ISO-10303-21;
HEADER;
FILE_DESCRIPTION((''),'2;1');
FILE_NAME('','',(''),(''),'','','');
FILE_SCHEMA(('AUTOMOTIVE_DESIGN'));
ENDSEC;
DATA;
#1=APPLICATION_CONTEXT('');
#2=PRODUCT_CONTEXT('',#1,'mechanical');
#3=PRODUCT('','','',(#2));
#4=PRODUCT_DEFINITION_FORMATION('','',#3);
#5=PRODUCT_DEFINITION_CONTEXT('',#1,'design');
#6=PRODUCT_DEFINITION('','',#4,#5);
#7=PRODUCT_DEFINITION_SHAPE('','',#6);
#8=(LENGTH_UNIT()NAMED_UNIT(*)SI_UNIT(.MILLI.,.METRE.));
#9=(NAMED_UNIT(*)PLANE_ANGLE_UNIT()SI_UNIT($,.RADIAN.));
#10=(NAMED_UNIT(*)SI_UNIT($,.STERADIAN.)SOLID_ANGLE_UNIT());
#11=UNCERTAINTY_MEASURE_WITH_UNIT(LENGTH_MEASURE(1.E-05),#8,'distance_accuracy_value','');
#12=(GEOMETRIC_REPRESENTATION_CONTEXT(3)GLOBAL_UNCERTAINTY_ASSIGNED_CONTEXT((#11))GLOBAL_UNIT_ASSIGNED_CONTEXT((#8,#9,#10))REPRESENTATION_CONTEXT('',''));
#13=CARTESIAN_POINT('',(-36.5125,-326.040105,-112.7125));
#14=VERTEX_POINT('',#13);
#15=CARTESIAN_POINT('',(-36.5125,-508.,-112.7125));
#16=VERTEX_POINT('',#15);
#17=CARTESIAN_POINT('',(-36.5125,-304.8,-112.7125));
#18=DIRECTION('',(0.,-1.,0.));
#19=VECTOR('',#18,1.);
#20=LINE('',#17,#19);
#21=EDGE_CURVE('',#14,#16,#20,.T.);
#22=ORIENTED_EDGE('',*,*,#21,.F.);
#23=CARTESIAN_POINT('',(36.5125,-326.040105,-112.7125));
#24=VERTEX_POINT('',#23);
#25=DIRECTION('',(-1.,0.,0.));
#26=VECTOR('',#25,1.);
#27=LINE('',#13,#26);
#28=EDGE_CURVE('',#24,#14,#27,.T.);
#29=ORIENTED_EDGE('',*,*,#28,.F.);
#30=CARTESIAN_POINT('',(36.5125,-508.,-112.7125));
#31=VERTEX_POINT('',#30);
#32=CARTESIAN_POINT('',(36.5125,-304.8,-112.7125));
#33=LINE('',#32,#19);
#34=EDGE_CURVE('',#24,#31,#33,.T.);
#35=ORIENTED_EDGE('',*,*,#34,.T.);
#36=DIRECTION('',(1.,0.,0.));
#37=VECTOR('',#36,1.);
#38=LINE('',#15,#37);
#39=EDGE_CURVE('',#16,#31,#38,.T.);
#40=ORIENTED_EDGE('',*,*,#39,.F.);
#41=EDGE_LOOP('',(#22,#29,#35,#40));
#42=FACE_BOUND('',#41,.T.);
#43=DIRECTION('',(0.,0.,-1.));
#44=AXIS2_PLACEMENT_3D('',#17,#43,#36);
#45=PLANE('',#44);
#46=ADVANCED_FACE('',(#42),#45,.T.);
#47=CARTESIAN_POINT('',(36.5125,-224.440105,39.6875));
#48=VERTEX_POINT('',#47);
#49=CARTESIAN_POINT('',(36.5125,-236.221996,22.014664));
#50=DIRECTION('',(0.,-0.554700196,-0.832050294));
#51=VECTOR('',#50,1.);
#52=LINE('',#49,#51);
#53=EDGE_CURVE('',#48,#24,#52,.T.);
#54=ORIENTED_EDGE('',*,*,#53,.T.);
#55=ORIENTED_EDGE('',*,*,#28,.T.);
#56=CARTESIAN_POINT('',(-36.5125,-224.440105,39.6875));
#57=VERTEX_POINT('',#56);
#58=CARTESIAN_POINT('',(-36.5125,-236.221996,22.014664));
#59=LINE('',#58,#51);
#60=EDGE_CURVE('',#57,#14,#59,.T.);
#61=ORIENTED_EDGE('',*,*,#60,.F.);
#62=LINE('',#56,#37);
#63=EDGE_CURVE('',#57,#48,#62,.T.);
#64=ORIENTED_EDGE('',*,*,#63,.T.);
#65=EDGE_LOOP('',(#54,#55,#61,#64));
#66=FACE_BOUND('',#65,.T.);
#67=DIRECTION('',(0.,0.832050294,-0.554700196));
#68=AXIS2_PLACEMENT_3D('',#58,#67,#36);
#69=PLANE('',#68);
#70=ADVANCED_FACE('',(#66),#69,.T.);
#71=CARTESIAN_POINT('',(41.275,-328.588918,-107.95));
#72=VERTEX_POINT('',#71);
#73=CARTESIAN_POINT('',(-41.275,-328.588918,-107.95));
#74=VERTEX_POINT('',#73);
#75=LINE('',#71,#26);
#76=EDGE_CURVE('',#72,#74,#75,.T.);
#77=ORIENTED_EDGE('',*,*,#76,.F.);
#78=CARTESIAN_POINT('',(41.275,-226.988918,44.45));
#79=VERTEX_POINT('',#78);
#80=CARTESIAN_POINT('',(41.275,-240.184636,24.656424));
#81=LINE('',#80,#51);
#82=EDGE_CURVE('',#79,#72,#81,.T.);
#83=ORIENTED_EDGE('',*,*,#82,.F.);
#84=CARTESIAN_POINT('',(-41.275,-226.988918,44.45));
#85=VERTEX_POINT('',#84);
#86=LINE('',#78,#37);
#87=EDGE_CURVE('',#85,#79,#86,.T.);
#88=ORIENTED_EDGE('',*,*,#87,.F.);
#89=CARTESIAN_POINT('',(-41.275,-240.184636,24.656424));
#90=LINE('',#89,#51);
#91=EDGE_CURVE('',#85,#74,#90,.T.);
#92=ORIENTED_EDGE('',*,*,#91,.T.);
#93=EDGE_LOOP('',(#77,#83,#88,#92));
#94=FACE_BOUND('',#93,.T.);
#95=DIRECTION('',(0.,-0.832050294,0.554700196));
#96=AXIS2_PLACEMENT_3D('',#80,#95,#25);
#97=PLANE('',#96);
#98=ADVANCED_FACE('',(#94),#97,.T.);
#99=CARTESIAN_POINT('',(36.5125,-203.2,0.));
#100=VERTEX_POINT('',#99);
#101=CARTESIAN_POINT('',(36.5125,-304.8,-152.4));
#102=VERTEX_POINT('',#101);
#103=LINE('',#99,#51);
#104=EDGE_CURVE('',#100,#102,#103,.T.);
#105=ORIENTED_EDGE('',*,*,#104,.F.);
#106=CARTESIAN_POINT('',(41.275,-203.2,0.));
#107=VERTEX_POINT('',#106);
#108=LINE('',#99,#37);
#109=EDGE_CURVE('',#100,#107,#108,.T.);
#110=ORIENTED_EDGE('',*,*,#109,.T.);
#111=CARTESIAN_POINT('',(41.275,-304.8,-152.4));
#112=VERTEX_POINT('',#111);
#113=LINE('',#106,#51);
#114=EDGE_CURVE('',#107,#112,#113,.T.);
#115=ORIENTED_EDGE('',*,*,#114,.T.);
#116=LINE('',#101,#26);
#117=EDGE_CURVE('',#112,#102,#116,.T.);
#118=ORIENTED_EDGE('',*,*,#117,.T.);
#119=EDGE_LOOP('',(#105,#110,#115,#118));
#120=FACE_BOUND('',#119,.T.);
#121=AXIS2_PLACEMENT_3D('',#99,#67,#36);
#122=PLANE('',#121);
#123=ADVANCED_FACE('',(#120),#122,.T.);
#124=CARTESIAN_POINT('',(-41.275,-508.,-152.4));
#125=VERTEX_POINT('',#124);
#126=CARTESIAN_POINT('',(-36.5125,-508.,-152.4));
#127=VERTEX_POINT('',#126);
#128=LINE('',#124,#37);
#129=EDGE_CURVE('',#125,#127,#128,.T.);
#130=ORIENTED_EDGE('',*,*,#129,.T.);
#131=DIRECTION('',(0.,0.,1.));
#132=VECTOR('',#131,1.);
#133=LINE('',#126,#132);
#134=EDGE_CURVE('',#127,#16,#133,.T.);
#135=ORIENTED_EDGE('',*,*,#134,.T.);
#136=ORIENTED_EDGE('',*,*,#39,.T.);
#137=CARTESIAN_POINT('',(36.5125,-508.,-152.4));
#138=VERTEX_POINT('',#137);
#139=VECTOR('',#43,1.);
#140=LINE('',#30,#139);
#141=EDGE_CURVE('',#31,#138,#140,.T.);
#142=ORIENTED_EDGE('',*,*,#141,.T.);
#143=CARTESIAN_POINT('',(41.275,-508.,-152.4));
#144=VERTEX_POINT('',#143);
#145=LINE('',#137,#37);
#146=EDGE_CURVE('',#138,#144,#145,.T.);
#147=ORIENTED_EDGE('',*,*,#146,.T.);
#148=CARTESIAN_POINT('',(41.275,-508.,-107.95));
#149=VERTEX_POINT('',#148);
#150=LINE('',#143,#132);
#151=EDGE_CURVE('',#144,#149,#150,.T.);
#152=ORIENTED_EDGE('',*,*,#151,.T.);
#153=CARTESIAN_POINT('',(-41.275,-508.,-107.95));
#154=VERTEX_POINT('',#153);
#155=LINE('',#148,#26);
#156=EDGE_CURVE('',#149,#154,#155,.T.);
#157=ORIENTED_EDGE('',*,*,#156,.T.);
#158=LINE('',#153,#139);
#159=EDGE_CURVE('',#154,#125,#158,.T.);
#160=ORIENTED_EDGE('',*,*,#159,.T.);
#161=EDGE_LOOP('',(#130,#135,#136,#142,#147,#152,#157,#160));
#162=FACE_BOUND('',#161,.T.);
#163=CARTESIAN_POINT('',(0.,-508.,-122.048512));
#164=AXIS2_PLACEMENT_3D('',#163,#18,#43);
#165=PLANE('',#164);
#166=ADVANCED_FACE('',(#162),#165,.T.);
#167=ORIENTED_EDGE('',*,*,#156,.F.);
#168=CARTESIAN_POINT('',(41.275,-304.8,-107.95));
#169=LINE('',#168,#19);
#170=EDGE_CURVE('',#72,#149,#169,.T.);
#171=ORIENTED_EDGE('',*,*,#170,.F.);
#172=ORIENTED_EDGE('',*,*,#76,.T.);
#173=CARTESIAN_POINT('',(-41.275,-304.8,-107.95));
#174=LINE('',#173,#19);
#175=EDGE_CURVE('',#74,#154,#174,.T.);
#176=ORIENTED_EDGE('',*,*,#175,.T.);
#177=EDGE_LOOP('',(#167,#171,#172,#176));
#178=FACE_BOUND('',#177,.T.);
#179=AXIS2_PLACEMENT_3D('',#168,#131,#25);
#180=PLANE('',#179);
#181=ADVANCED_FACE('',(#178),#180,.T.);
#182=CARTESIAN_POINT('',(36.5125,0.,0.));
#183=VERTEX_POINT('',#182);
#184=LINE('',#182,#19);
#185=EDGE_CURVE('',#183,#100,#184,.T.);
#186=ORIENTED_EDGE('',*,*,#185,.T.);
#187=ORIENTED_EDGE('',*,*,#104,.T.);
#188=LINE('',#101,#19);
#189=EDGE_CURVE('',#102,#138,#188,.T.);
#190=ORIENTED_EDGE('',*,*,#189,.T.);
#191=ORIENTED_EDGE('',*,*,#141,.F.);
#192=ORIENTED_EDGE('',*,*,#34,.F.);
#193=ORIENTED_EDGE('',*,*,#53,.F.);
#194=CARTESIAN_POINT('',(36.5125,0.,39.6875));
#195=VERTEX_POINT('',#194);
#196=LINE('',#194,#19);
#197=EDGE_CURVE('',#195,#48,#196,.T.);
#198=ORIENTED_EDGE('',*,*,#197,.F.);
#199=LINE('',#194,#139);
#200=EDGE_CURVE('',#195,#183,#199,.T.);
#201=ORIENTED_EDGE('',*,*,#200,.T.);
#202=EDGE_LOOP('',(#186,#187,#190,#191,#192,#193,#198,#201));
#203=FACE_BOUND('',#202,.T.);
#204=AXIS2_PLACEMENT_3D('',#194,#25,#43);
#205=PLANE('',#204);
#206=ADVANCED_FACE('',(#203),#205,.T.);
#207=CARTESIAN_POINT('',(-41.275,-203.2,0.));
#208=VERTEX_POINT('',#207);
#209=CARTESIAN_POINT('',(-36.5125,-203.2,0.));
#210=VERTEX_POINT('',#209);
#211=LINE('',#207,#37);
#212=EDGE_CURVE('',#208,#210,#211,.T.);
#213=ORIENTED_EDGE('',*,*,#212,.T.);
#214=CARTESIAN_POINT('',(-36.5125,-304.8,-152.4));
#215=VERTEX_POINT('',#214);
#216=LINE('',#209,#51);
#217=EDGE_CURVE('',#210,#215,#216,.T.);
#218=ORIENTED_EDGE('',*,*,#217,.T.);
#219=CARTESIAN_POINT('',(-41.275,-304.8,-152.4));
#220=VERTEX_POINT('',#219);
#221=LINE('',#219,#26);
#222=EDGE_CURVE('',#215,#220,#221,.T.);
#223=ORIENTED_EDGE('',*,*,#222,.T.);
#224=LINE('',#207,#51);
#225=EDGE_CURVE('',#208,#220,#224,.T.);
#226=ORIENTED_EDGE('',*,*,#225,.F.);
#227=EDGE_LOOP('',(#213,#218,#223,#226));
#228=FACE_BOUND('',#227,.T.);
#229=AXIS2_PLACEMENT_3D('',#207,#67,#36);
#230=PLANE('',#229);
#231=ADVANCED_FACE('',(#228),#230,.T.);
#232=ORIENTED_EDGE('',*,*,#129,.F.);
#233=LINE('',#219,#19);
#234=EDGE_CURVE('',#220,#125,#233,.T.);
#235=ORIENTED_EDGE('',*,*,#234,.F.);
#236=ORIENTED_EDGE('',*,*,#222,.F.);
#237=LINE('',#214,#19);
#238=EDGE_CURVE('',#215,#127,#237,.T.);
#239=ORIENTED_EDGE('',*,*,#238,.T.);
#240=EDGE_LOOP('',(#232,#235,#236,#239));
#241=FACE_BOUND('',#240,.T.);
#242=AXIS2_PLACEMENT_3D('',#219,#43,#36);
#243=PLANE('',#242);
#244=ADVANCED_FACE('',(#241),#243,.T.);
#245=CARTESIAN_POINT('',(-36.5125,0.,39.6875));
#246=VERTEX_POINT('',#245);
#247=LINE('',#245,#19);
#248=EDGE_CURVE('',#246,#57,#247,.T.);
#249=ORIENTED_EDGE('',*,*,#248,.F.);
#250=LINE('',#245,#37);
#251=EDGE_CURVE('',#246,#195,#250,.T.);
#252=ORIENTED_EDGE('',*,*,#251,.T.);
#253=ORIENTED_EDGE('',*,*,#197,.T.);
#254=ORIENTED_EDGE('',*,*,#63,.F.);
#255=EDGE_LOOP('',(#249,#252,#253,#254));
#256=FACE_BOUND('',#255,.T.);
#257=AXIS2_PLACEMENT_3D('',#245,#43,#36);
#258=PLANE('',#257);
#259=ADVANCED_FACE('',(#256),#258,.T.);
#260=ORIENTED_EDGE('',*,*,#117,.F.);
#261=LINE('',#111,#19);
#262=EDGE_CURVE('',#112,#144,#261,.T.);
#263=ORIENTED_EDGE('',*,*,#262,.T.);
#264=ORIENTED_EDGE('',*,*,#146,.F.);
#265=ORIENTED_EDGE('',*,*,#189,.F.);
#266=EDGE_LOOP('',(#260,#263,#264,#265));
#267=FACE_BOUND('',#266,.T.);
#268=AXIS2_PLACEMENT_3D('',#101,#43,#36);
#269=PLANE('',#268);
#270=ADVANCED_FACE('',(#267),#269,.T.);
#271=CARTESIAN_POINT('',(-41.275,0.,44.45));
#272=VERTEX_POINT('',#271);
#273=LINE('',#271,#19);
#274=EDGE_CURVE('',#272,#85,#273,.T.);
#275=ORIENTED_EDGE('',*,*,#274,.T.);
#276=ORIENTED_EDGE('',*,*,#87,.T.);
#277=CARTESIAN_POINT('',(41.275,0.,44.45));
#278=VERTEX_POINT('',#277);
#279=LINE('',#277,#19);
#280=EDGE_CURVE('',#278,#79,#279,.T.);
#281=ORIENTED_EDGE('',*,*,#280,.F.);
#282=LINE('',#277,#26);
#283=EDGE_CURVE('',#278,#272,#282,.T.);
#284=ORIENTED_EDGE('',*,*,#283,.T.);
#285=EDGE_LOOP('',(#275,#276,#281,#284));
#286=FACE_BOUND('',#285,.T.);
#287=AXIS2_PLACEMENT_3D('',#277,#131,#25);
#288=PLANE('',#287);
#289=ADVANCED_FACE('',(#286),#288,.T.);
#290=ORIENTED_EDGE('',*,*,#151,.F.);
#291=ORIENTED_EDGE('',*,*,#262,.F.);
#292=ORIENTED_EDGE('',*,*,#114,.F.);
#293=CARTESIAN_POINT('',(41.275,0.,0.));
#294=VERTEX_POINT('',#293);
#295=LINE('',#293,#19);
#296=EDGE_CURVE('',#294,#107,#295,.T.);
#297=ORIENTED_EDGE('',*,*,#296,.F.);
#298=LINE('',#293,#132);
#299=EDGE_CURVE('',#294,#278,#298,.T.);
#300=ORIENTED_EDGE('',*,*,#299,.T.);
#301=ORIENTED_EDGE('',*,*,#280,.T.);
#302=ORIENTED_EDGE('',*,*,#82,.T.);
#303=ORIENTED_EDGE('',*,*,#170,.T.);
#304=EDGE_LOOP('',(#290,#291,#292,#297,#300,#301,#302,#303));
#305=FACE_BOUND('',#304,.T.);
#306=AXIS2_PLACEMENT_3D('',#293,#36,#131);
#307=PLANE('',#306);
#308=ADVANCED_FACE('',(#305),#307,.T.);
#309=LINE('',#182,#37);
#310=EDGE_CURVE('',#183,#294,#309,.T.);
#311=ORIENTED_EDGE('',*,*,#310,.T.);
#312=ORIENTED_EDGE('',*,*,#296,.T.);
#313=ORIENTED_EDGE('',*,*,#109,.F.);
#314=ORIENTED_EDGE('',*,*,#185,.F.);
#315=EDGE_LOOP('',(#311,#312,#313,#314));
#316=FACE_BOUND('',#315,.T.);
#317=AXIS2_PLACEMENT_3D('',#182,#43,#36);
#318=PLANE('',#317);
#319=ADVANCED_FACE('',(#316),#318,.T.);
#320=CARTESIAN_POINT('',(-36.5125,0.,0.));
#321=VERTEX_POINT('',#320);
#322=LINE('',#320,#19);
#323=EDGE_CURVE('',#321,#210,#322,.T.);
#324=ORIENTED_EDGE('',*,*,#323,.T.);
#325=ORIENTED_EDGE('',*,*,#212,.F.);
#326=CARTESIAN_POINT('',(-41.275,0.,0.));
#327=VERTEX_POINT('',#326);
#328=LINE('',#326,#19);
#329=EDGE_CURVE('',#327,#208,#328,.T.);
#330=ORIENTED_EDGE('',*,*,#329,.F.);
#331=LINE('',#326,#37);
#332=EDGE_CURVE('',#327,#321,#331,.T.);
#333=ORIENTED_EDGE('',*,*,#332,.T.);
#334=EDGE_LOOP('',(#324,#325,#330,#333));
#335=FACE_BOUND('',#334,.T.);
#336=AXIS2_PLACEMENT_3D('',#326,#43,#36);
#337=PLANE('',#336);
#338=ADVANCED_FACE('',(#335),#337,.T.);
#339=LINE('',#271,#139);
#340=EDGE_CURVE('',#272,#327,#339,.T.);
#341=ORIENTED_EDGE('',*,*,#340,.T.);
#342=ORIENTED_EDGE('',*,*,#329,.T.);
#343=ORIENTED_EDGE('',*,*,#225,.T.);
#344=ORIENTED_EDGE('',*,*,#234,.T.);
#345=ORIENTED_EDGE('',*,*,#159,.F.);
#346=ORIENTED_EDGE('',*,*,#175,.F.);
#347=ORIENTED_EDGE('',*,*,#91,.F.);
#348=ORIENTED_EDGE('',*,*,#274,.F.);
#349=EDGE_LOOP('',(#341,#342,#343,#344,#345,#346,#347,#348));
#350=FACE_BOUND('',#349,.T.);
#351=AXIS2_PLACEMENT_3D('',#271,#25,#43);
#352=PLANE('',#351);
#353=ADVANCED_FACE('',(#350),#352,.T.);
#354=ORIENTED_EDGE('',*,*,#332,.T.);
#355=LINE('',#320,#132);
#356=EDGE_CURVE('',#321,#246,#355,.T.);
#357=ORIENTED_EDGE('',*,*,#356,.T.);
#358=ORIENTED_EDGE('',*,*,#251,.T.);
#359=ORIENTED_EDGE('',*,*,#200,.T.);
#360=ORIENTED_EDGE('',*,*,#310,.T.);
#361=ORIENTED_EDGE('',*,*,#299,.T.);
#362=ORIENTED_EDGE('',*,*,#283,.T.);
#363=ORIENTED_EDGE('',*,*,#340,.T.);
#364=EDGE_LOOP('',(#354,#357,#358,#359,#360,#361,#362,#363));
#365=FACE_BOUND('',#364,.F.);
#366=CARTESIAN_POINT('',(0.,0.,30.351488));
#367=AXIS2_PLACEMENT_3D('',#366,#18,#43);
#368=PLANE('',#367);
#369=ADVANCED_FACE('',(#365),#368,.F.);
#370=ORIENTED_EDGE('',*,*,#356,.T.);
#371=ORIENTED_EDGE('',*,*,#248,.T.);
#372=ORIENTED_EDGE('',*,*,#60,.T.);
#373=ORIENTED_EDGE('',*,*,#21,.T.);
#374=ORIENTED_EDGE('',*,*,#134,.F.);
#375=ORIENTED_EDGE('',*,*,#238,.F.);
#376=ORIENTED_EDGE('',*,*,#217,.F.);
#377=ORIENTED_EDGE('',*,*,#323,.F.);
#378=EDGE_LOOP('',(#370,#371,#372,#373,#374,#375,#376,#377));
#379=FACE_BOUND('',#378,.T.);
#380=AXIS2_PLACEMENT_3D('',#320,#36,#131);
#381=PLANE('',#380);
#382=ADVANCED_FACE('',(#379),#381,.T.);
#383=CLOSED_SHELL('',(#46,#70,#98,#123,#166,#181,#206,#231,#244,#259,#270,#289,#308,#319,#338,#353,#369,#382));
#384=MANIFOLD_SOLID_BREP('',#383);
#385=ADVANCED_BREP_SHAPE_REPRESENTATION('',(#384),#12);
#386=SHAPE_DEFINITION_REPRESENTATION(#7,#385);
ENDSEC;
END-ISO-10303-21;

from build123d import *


with BuildPart() as f2:
    # F2: sweep along a path in F1
    with BuildLine(Plane.YZ) as f2_path:
        Line((0, 0), (-203.2, 0))
        Line((-203.2, 0), (-304.8, -152.4))
        Line((-304.8, -152.4), (-508, -152.4))
    # F0 (on Front) → F2 (sweep)
    with BuildSketch(Plane.XZ):
        Polygon((-41.275, 44.45), (-41.275, 0), (-36.5125, 0), (-36.5125, 39.6875), (36.5125, 39.6875), (36.5125, 0), (41.275, 0), (41.275, 44.45), align=None)
    sweep(path=f2_path.line, transition=Transition.RIGHT)


solid = f2.part
